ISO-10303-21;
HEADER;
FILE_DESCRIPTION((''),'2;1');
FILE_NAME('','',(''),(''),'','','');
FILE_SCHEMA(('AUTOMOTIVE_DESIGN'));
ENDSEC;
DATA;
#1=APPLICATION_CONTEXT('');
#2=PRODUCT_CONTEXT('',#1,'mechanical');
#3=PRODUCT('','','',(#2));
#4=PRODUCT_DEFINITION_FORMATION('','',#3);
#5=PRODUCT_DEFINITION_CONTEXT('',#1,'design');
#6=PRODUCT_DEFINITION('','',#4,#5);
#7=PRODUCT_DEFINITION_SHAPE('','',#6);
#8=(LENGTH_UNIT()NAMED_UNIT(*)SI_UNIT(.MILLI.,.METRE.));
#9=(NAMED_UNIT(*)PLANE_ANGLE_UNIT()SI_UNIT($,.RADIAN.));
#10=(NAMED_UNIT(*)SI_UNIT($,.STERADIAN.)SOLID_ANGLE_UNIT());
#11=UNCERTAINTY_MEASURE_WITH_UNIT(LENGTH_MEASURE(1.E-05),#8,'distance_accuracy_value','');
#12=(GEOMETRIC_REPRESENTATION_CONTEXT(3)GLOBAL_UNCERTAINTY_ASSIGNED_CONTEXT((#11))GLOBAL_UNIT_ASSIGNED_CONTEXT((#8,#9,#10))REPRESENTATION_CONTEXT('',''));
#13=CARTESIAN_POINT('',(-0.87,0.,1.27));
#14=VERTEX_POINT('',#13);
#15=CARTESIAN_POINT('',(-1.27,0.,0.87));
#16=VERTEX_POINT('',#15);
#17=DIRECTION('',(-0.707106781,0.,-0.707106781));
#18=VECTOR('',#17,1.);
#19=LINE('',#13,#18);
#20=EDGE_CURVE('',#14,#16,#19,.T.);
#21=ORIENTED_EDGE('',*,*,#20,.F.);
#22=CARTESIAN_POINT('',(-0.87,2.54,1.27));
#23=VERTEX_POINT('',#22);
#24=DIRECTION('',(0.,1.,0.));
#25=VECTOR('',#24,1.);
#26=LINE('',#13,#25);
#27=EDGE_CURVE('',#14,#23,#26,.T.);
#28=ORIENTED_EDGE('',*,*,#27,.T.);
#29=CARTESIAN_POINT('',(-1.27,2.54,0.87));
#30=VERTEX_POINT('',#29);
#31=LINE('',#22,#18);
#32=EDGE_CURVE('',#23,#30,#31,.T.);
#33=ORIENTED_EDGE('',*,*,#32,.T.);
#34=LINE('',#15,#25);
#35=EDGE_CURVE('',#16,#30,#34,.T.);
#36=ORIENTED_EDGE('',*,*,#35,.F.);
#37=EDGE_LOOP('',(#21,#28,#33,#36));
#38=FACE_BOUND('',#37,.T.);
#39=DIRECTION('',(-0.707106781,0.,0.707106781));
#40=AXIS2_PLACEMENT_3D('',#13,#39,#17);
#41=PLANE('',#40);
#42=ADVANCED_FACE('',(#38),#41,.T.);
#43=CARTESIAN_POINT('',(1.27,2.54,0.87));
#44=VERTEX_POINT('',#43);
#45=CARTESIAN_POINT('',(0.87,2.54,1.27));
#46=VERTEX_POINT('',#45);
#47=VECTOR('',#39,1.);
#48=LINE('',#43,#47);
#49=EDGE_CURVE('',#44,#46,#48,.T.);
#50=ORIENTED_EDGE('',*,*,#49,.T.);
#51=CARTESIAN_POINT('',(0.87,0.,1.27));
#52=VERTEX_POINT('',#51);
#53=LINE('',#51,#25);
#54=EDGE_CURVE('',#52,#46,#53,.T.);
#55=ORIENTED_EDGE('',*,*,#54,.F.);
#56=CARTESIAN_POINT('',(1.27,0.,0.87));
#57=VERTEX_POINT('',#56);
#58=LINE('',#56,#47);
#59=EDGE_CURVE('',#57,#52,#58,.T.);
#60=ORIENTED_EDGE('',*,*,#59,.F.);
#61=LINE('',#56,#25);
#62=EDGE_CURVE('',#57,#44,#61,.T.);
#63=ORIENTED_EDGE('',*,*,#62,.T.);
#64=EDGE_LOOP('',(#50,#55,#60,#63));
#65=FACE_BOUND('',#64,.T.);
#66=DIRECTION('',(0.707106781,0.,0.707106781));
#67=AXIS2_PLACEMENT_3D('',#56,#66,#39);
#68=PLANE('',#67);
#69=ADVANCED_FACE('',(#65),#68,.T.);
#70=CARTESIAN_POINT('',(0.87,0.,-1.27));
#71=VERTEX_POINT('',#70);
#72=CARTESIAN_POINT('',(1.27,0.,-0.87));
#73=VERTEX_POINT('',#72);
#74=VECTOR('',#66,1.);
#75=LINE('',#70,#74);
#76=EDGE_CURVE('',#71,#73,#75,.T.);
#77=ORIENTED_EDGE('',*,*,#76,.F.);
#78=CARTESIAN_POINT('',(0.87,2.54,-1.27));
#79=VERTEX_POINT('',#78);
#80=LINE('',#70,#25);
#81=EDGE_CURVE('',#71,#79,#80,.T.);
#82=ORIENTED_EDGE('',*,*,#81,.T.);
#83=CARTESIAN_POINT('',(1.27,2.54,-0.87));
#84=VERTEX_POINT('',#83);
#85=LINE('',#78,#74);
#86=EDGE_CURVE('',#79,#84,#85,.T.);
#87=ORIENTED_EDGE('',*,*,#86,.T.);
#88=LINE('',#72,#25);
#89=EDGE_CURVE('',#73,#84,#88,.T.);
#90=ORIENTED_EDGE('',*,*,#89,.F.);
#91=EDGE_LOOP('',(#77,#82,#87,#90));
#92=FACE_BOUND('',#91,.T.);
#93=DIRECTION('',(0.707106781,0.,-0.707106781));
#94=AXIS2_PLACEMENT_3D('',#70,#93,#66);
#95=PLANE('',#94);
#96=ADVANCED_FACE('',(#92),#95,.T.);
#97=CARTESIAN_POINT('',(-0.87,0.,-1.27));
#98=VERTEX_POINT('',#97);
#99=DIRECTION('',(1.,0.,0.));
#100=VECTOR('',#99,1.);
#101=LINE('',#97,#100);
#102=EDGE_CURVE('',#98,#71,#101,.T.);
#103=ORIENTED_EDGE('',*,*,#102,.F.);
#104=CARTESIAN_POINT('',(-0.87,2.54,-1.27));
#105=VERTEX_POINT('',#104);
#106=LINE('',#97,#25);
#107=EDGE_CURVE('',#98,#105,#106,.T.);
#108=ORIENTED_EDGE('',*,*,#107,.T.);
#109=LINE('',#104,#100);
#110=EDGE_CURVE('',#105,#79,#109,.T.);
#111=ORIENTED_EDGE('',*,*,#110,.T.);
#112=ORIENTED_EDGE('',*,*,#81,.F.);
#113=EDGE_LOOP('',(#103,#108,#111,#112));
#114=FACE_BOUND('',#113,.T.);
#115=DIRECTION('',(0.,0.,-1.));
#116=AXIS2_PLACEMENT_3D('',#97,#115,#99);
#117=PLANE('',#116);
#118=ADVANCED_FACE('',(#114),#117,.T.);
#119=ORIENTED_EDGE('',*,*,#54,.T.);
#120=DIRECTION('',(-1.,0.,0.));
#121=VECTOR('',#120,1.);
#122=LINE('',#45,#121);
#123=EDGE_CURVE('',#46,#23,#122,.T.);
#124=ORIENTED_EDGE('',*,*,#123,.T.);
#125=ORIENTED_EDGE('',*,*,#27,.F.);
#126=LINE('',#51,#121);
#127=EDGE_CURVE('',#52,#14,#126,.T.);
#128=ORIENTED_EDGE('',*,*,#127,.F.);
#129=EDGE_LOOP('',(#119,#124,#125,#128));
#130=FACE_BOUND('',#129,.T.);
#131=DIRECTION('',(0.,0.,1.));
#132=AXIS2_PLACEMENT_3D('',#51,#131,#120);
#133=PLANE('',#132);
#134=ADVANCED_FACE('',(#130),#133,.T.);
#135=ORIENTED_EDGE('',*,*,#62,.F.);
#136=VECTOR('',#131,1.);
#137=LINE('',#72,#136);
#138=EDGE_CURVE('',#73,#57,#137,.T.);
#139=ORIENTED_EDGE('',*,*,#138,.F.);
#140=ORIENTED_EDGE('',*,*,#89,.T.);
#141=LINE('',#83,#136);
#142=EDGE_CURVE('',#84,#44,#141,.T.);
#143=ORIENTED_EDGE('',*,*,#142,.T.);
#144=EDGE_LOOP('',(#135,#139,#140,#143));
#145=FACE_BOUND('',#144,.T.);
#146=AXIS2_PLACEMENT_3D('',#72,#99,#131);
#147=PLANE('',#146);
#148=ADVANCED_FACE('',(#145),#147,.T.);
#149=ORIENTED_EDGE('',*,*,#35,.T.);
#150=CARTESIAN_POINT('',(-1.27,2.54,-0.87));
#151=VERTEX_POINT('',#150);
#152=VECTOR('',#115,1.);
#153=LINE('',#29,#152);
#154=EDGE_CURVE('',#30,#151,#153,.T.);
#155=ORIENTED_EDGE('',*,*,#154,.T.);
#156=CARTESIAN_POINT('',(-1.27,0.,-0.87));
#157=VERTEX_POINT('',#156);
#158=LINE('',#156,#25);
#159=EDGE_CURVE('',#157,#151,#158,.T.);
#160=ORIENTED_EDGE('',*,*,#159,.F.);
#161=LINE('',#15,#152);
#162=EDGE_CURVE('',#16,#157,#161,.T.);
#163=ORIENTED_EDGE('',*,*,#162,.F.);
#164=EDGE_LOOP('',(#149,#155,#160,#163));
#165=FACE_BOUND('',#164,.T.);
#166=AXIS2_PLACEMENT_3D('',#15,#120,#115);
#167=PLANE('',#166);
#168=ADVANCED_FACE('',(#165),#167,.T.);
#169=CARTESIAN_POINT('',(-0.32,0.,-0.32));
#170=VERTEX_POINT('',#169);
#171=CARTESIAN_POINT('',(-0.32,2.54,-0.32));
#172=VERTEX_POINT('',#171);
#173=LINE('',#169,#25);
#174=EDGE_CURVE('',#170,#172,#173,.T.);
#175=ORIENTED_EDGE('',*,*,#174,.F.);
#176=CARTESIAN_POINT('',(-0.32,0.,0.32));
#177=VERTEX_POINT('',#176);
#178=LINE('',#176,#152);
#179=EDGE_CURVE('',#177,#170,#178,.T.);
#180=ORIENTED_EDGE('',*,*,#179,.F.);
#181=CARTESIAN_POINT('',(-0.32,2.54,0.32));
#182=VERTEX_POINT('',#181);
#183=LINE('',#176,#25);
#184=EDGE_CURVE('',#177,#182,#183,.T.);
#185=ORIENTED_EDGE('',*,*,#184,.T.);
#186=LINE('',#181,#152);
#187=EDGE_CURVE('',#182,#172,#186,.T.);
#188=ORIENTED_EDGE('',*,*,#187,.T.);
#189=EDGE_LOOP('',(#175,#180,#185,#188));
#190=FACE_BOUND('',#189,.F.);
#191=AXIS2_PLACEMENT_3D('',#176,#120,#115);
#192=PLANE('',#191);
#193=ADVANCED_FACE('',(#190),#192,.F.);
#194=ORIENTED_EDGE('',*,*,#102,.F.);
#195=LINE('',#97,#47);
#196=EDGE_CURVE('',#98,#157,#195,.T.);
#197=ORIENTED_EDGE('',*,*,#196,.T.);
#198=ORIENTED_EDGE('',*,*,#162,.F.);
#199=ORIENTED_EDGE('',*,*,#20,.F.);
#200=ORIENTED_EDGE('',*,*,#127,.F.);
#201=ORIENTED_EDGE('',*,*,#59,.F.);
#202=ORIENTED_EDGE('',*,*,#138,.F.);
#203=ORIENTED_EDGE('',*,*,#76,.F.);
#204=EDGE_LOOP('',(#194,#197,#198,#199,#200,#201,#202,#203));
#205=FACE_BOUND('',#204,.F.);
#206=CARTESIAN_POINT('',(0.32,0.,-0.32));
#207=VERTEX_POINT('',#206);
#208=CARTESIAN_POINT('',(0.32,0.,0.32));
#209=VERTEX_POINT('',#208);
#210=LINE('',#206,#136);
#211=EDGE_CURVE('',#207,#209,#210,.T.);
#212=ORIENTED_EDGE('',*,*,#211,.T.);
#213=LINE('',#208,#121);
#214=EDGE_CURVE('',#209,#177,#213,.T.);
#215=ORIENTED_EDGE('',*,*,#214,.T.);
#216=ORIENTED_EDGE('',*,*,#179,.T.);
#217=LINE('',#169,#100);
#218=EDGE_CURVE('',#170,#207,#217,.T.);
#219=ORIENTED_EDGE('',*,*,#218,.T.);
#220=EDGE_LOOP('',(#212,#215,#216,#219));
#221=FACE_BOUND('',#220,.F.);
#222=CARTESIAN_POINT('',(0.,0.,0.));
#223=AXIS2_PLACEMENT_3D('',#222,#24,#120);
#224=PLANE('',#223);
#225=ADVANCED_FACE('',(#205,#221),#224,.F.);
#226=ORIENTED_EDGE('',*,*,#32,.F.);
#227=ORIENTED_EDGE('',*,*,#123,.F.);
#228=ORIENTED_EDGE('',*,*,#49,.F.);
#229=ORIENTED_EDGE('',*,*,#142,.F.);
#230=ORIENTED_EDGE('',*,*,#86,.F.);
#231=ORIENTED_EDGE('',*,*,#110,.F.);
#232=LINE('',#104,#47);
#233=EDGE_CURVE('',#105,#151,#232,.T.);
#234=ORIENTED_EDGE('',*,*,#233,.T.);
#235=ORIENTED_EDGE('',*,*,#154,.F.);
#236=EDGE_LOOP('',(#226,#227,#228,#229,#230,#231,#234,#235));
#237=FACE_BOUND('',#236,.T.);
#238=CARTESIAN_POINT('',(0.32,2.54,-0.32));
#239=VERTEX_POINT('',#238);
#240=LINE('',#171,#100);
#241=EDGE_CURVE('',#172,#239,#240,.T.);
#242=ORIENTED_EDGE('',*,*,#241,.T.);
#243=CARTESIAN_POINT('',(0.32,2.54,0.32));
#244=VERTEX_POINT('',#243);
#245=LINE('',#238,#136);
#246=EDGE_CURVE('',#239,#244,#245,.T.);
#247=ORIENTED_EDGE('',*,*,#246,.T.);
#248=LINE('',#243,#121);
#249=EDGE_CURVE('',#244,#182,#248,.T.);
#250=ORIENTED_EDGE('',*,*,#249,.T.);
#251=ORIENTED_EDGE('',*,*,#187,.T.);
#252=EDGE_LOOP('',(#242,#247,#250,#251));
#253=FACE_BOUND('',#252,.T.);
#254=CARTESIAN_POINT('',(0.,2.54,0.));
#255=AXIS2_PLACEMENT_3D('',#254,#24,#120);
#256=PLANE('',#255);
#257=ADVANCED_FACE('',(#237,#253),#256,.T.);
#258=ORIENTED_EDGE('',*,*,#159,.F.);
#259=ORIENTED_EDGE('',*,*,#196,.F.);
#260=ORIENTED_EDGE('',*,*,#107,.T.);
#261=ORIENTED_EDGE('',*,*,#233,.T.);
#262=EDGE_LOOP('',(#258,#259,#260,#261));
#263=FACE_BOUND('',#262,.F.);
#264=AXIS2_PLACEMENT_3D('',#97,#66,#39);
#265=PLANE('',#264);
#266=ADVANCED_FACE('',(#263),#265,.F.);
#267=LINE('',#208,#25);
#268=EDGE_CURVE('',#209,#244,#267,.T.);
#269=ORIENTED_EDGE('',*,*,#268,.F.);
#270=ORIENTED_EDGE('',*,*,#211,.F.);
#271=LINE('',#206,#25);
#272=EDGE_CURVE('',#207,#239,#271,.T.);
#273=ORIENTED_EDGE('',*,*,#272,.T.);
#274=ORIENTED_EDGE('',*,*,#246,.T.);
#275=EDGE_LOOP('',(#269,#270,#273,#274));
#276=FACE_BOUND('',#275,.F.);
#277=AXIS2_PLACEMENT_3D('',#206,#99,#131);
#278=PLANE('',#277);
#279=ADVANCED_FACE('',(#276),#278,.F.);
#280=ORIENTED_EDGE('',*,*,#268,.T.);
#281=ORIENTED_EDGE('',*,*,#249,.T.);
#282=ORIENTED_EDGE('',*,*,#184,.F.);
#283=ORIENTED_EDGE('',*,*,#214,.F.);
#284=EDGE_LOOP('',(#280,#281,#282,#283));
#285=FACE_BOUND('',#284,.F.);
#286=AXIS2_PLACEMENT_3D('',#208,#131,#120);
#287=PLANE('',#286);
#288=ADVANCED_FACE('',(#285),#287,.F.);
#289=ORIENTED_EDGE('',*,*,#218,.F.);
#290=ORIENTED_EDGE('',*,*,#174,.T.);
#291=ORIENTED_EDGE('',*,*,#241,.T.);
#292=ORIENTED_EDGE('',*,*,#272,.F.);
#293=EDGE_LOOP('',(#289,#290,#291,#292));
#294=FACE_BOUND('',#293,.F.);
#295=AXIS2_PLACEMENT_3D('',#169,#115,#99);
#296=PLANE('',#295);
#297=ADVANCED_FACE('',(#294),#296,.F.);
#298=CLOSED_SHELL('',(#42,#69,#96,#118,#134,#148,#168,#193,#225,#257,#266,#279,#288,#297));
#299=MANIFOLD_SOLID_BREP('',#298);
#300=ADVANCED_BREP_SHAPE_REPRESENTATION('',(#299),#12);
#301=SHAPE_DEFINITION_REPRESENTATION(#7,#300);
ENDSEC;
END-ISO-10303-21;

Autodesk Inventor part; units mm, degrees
ref_plane "YZ Plane" through (0, 0, 0) normal (1, 0, 0) x (0, 1, 0)
ref_plane "XZ Plane" through (0, 0, 0) normal (0, 1, 0) x (-1, 0, 0)
ref_plane "XY Plane" through (0, 0, 0) normal (0, 0, 1) x (1, 0, 0)
sketch "Sketch1" plane through (0, 0, 0) normal (0, 1, 0) x (-1, 0, 0)
  line L0 (0.87, -1.27) -> (-0.87, -1.27)
  line L1 (-1.27, -0.87) -> (-1.27, 0.87)
  line L2 (-0.87, 1.27) -> (0.87, 1.27)
  line L3 (1.27, 0.87) -> (1.27, -0.87)
  line L4 (1.27, -1.27) -> (-1.27, 1.27) construction
  line L5 (-1.27, -1.27) -> (1.27, 1.27) construction
  line L6 (0.32, -0.32) -> (-0.32, -0.32)
  line L7 (-0.32, -0.32) -> (-0.32, 0.32)
  line L8 (-0.32, 0.32) -> (0.32, 0.32)
  line L9 (0.32, 0.32) -> (0.32, -0.32)
  line L10 (0.32, -0.32) -> (-0.32, 0.32) construction
  line L11 (-0.32, -0.32) -> (0.32, 0.32) construction
  line L12 (0.87, -1.27) -> (1.27, -0.87)
  line L13 (-0.87, -1.27) -> (-1.27, -0.87)
  line L14 (-1.27, 0.87) -> (-0.87, 1.27)
  line L15 (0.87, 1.27) -> (1.27, 0.87)
  point P0 (0, 0)
  dimension "d0" = 2.54
  dimension "d1" = 2.54
  dimension "d2" = 0.64
  dimension "d3" = 0.64
  dimension "d4" = 0.4
  dimension "d5" = 0.4
  dimension "d6" = 0.4
  dimension "d7" = 0.4
  dimension "d8" = 0.4
  dimension "d9" = 0.4
  dimension "d10" = 0.4
  dimension "d11" = 0.4
extrude "Extrusion1" add sketch "Sketch1" along normal blind 2.54
equation "\"d5\" = d4"
equation "\"d6\" = d4"
equation "\"d7\" = d6"
equation "\"d8\" = d4"
equation "\"d9\" = d8"
equation "\"d10\" = d4"
equation "\"d11\" = d10"
properties part number "Holder" material "ABS Plastic"
